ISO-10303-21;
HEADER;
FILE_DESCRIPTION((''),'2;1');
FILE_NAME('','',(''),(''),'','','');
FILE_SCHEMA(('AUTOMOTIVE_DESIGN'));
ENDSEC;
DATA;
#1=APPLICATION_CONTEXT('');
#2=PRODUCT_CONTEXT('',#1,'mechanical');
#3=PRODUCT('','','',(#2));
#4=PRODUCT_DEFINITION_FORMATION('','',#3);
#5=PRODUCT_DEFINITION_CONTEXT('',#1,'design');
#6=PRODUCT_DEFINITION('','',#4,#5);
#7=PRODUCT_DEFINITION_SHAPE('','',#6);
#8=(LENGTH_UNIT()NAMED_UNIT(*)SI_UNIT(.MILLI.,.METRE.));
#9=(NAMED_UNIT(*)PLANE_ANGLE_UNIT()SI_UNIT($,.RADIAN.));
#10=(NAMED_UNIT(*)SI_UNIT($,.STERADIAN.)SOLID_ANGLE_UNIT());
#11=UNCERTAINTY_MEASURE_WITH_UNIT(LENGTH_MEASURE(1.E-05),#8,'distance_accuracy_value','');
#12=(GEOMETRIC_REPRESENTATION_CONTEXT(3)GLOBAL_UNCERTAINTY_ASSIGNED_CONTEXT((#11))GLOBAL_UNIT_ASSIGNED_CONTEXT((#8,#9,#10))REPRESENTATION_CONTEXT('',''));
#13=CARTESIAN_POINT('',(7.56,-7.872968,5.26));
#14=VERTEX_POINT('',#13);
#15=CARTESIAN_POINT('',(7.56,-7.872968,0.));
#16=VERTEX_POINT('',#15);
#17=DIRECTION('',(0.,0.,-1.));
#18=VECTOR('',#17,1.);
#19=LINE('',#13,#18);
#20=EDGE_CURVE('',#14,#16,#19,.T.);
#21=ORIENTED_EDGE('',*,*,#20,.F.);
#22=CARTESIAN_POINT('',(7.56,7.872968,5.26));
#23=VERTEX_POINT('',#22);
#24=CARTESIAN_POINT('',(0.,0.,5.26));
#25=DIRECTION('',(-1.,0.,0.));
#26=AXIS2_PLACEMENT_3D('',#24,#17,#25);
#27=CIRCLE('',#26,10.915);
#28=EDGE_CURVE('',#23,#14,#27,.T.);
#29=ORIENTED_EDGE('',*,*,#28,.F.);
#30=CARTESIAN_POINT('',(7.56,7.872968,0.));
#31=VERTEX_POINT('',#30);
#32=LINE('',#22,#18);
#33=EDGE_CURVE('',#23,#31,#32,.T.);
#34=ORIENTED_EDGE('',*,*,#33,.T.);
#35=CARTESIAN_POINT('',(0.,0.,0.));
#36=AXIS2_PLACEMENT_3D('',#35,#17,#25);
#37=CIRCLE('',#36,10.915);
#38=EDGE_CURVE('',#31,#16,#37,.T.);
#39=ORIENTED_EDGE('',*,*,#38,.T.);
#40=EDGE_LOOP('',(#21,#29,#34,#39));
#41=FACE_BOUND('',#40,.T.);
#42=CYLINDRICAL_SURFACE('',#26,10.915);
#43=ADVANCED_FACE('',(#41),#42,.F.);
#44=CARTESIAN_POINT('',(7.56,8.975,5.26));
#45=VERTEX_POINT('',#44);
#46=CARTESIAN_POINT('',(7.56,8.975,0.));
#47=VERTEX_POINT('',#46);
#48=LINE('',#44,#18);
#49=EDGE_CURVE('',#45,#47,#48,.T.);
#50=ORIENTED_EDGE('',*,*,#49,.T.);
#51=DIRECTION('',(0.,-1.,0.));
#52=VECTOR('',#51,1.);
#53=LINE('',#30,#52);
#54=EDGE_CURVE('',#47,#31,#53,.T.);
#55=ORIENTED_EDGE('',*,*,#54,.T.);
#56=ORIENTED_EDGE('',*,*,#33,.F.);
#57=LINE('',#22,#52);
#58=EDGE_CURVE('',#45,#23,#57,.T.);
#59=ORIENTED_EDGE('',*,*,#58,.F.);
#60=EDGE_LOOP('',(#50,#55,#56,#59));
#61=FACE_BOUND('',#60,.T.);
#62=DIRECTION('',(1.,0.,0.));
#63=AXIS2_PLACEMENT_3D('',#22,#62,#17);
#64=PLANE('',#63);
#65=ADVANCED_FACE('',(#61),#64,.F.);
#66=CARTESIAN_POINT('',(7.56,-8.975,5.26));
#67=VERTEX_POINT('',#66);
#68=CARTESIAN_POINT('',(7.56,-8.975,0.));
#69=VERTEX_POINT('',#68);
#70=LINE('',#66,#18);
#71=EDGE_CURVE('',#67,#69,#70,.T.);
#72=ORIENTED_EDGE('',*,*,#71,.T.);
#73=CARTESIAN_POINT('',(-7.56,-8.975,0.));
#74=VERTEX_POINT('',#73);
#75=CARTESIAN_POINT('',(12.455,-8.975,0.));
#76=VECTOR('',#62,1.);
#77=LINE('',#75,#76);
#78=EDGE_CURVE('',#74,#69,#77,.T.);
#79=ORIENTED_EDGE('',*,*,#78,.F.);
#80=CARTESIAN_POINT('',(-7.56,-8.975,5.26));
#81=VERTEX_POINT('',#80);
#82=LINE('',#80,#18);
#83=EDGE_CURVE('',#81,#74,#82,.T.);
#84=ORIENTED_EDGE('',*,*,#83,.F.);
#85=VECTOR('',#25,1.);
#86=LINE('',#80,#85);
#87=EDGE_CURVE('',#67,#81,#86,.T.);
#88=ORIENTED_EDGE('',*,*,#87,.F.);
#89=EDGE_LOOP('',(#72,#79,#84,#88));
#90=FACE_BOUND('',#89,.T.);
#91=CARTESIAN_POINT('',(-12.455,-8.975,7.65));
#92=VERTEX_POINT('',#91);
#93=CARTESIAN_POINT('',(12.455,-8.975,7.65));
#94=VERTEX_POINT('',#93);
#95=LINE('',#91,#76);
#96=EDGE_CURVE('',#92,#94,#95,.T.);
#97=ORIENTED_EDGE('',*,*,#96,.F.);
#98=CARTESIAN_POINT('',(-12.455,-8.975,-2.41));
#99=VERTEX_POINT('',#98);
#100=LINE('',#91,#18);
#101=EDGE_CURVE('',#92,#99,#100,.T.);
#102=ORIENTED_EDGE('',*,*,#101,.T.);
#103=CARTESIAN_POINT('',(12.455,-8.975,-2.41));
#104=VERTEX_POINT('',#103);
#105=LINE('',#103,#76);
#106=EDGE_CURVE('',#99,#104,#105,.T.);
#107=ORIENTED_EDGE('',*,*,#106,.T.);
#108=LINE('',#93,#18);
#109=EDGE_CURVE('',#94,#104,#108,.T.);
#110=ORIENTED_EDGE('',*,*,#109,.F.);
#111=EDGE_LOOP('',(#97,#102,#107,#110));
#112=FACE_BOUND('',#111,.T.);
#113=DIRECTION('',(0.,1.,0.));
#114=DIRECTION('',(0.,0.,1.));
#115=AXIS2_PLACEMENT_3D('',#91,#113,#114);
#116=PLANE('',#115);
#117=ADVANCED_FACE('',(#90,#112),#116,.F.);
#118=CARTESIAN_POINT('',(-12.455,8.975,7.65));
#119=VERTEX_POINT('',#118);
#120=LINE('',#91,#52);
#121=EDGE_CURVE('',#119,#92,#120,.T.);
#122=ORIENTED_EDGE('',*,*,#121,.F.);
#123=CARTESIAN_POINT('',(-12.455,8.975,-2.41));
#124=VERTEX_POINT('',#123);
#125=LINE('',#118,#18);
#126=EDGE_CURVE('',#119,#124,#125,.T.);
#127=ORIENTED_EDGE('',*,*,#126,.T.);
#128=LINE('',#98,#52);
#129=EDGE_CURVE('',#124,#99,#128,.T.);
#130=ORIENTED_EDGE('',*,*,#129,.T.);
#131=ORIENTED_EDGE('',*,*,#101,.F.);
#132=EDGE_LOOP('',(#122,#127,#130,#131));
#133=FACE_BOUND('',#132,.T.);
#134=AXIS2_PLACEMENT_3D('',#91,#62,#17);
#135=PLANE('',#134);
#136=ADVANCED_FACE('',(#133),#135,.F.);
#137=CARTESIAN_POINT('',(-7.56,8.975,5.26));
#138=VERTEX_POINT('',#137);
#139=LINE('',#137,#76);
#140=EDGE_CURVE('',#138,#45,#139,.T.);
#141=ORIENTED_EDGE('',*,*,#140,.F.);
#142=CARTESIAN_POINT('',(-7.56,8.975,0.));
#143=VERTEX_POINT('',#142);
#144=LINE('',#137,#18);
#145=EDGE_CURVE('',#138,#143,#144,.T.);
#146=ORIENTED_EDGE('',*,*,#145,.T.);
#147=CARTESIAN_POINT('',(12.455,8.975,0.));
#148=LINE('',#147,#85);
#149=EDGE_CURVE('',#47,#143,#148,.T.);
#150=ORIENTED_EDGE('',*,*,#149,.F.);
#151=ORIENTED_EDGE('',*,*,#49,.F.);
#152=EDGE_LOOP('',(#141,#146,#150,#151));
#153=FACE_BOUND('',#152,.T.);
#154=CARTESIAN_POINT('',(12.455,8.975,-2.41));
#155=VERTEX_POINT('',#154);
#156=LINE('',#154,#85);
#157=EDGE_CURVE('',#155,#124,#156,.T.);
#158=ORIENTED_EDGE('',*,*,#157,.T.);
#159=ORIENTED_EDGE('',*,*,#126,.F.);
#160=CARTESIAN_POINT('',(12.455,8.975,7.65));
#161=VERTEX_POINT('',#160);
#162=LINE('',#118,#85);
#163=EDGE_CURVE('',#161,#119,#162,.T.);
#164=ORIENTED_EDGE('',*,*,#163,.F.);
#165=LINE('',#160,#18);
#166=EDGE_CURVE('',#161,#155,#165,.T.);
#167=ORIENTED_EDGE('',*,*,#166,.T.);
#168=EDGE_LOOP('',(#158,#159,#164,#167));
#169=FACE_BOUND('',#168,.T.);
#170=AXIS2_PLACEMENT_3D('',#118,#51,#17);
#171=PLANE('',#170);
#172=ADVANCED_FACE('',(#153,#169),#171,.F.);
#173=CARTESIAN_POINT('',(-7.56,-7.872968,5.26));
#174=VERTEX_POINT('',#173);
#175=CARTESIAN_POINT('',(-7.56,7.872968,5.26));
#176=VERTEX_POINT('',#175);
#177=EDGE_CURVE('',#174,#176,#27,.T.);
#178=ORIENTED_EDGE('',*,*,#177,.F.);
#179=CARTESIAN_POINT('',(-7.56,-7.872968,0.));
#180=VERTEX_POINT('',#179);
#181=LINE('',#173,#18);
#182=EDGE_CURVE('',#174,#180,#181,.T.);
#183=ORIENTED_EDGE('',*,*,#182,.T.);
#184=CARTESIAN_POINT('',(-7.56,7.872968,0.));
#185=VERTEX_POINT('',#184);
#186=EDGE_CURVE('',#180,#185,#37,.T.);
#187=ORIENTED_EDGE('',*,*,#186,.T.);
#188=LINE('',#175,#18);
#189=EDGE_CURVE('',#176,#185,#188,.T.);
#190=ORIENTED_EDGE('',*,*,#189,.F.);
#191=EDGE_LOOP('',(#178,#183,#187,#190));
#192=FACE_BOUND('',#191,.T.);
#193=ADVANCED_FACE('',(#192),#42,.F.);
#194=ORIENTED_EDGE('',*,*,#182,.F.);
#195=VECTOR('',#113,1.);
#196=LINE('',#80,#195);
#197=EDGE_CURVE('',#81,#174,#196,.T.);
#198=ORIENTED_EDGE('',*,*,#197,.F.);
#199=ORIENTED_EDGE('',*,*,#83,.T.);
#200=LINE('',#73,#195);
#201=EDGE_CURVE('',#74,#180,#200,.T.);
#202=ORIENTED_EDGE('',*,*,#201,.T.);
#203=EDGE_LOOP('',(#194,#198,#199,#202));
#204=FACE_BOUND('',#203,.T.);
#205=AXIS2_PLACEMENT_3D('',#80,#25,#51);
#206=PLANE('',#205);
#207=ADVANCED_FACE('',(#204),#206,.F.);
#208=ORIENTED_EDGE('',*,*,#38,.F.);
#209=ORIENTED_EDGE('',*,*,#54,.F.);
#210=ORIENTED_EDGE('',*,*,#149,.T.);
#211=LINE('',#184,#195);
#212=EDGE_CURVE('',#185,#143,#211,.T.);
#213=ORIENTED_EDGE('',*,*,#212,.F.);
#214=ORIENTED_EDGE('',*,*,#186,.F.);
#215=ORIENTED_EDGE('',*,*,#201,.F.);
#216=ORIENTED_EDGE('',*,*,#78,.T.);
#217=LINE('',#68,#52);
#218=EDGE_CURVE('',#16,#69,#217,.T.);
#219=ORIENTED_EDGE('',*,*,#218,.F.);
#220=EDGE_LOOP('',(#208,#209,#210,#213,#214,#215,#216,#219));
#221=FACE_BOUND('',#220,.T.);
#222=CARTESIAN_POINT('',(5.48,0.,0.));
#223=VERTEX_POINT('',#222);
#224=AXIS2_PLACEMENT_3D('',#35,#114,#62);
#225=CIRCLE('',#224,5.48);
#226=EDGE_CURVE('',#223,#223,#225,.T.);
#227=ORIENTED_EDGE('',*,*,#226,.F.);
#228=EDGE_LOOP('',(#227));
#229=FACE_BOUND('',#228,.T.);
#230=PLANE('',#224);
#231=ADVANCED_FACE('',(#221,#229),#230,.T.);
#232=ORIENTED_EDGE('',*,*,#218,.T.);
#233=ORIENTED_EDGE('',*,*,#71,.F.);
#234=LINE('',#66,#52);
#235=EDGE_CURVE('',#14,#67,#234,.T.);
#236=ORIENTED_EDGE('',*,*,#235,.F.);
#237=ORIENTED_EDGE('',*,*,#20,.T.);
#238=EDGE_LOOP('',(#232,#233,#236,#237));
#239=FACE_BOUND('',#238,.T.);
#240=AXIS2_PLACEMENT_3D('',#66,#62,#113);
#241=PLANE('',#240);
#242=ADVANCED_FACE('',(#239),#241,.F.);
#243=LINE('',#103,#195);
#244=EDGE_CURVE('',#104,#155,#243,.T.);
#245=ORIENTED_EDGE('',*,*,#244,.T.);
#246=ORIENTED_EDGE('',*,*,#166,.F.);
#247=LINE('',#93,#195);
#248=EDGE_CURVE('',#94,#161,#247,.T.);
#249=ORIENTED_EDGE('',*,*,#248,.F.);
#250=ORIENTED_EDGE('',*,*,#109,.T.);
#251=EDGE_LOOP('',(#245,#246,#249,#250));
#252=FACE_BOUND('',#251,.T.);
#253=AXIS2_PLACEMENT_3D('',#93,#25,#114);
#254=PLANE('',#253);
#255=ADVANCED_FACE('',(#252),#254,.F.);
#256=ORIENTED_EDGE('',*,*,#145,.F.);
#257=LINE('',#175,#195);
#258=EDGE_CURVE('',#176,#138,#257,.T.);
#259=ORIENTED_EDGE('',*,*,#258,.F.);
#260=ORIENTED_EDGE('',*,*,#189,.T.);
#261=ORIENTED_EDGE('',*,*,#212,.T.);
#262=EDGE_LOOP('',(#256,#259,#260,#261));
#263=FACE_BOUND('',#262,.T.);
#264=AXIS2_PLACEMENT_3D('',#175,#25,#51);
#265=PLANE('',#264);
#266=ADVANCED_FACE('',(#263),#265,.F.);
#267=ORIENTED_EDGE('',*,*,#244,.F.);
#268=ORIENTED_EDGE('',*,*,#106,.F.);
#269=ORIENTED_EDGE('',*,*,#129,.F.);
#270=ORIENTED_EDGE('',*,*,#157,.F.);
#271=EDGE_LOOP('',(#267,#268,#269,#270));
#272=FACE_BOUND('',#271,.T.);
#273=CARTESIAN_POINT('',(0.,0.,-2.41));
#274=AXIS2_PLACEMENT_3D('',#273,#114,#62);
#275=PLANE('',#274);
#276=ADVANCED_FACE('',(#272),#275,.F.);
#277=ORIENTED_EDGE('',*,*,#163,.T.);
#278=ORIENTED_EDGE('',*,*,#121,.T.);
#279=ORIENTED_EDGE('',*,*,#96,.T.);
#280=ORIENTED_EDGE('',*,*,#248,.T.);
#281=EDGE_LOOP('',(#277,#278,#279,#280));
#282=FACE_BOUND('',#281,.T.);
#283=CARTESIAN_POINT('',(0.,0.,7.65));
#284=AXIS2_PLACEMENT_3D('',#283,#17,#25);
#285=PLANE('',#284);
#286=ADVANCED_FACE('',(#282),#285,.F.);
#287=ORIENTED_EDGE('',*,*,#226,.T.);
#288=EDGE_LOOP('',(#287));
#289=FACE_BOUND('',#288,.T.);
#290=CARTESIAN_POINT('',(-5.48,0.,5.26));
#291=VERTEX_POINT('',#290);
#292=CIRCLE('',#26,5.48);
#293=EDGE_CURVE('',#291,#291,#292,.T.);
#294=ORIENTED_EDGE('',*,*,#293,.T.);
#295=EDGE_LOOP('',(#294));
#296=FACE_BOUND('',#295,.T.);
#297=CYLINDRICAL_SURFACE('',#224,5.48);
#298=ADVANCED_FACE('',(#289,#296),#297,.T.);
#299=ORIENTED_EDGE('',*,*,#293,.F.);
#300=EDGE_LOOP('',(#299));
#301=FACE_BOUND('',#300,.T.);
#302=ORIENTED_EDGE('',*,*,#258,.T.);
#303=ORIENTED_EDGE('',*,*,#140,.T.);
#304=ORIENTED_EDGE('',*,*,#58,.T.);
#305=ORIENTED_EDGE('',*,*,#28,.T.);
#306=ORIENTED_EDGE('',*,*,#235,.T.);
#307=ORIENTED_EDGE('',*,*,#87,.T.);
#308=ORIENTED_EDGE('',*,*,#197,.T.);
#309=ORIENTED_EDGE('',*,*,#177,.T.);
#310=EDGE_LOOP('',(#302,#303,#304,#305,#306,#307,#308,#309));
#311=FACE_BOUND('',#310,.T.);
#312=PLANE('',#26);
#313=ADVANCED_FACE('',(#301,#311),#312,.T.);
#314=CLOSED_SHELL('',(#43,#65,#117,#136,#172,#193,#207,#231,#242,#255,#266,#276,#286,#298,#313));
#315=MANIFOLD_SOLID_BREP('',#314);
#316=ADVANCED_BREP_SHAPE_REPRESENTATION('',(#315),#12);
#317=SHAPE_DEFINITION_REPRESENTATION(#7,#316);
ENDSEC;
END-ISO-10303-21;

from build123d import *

# Parameters (mm, degrees)
SKETCH_1_W          = 24.91
SKETCH_1_H          = 17.95
EXTRUDE_1_DEPTH     = 7.65
CUT_EXTRUDE_1_DEPTH = 5.26
SKETCH_3_R          = 5.48
EXTRUDE_2_DEPTH     = 7.65
SKETCH_4_W          = 24.91
SKETCH_4_H          = 17.95
EXTRUDE_3_DEPTH     = 2.41


with BuildPart() as part:
    # 草图1 → 凸台-拉伸1 (new body)
    with BuildSketch(Plane.XY):
        Rectangle(SKETCH_1_W, SKETCH_1_H)
    extrude(amount=EXTRUDE_1_DEPTH)

    # 草图2 → 切除-拉伸1 (cut)
    with BuildSketch(Plane(origin=(0, 0, 0), x_dir=(-1, 0, 0), z_dir=(0, 0, -1))):
        with BuildLine():
            Line((-7.56, -8.975), (-7.56, -7.872967992))
            ThreePointArc((-7.56, -7.872967992), (-10.915, 0), (-7.56, 7.872967992))
            Line((-7.56, 7.872967992), (-7.56, 8.975))
            Line((-7.56, 8.975), (7.56, 8.975))
            Line((7.56, 8.975), (7.56, 7.872967992))
            ThreePointArc((7.56, 7.872967992), (10.915, 0), (7.56, -7.872967992))
            Line((7.56, -7.872967992), (7.56, -8.975))
            Line((7.56, -8.975), (-7.56, -8.975))
        make_face()
    extrude(amount=-CUT_EXTRUDE_1_DEPTH, mode=Mode.SUBTRACT)

    # 草图3 → 凸台-拉伸2 (add)
    with BuildSketch(Plane.XY.offset(7.65)):
        Circle(SKETCH_3_R)
    extrude(amount=-EXTRUDE_2_DEPTH)

    # 草图4 → 凸台-拉伸3 (add)
    with BuildSketch(Plane.XY):
        Rectangle(SKETCH_4_W, SKETCH_4_H)
    extrude(amount=-EXTRUDE_3_DEPTH)


solid = part.part
